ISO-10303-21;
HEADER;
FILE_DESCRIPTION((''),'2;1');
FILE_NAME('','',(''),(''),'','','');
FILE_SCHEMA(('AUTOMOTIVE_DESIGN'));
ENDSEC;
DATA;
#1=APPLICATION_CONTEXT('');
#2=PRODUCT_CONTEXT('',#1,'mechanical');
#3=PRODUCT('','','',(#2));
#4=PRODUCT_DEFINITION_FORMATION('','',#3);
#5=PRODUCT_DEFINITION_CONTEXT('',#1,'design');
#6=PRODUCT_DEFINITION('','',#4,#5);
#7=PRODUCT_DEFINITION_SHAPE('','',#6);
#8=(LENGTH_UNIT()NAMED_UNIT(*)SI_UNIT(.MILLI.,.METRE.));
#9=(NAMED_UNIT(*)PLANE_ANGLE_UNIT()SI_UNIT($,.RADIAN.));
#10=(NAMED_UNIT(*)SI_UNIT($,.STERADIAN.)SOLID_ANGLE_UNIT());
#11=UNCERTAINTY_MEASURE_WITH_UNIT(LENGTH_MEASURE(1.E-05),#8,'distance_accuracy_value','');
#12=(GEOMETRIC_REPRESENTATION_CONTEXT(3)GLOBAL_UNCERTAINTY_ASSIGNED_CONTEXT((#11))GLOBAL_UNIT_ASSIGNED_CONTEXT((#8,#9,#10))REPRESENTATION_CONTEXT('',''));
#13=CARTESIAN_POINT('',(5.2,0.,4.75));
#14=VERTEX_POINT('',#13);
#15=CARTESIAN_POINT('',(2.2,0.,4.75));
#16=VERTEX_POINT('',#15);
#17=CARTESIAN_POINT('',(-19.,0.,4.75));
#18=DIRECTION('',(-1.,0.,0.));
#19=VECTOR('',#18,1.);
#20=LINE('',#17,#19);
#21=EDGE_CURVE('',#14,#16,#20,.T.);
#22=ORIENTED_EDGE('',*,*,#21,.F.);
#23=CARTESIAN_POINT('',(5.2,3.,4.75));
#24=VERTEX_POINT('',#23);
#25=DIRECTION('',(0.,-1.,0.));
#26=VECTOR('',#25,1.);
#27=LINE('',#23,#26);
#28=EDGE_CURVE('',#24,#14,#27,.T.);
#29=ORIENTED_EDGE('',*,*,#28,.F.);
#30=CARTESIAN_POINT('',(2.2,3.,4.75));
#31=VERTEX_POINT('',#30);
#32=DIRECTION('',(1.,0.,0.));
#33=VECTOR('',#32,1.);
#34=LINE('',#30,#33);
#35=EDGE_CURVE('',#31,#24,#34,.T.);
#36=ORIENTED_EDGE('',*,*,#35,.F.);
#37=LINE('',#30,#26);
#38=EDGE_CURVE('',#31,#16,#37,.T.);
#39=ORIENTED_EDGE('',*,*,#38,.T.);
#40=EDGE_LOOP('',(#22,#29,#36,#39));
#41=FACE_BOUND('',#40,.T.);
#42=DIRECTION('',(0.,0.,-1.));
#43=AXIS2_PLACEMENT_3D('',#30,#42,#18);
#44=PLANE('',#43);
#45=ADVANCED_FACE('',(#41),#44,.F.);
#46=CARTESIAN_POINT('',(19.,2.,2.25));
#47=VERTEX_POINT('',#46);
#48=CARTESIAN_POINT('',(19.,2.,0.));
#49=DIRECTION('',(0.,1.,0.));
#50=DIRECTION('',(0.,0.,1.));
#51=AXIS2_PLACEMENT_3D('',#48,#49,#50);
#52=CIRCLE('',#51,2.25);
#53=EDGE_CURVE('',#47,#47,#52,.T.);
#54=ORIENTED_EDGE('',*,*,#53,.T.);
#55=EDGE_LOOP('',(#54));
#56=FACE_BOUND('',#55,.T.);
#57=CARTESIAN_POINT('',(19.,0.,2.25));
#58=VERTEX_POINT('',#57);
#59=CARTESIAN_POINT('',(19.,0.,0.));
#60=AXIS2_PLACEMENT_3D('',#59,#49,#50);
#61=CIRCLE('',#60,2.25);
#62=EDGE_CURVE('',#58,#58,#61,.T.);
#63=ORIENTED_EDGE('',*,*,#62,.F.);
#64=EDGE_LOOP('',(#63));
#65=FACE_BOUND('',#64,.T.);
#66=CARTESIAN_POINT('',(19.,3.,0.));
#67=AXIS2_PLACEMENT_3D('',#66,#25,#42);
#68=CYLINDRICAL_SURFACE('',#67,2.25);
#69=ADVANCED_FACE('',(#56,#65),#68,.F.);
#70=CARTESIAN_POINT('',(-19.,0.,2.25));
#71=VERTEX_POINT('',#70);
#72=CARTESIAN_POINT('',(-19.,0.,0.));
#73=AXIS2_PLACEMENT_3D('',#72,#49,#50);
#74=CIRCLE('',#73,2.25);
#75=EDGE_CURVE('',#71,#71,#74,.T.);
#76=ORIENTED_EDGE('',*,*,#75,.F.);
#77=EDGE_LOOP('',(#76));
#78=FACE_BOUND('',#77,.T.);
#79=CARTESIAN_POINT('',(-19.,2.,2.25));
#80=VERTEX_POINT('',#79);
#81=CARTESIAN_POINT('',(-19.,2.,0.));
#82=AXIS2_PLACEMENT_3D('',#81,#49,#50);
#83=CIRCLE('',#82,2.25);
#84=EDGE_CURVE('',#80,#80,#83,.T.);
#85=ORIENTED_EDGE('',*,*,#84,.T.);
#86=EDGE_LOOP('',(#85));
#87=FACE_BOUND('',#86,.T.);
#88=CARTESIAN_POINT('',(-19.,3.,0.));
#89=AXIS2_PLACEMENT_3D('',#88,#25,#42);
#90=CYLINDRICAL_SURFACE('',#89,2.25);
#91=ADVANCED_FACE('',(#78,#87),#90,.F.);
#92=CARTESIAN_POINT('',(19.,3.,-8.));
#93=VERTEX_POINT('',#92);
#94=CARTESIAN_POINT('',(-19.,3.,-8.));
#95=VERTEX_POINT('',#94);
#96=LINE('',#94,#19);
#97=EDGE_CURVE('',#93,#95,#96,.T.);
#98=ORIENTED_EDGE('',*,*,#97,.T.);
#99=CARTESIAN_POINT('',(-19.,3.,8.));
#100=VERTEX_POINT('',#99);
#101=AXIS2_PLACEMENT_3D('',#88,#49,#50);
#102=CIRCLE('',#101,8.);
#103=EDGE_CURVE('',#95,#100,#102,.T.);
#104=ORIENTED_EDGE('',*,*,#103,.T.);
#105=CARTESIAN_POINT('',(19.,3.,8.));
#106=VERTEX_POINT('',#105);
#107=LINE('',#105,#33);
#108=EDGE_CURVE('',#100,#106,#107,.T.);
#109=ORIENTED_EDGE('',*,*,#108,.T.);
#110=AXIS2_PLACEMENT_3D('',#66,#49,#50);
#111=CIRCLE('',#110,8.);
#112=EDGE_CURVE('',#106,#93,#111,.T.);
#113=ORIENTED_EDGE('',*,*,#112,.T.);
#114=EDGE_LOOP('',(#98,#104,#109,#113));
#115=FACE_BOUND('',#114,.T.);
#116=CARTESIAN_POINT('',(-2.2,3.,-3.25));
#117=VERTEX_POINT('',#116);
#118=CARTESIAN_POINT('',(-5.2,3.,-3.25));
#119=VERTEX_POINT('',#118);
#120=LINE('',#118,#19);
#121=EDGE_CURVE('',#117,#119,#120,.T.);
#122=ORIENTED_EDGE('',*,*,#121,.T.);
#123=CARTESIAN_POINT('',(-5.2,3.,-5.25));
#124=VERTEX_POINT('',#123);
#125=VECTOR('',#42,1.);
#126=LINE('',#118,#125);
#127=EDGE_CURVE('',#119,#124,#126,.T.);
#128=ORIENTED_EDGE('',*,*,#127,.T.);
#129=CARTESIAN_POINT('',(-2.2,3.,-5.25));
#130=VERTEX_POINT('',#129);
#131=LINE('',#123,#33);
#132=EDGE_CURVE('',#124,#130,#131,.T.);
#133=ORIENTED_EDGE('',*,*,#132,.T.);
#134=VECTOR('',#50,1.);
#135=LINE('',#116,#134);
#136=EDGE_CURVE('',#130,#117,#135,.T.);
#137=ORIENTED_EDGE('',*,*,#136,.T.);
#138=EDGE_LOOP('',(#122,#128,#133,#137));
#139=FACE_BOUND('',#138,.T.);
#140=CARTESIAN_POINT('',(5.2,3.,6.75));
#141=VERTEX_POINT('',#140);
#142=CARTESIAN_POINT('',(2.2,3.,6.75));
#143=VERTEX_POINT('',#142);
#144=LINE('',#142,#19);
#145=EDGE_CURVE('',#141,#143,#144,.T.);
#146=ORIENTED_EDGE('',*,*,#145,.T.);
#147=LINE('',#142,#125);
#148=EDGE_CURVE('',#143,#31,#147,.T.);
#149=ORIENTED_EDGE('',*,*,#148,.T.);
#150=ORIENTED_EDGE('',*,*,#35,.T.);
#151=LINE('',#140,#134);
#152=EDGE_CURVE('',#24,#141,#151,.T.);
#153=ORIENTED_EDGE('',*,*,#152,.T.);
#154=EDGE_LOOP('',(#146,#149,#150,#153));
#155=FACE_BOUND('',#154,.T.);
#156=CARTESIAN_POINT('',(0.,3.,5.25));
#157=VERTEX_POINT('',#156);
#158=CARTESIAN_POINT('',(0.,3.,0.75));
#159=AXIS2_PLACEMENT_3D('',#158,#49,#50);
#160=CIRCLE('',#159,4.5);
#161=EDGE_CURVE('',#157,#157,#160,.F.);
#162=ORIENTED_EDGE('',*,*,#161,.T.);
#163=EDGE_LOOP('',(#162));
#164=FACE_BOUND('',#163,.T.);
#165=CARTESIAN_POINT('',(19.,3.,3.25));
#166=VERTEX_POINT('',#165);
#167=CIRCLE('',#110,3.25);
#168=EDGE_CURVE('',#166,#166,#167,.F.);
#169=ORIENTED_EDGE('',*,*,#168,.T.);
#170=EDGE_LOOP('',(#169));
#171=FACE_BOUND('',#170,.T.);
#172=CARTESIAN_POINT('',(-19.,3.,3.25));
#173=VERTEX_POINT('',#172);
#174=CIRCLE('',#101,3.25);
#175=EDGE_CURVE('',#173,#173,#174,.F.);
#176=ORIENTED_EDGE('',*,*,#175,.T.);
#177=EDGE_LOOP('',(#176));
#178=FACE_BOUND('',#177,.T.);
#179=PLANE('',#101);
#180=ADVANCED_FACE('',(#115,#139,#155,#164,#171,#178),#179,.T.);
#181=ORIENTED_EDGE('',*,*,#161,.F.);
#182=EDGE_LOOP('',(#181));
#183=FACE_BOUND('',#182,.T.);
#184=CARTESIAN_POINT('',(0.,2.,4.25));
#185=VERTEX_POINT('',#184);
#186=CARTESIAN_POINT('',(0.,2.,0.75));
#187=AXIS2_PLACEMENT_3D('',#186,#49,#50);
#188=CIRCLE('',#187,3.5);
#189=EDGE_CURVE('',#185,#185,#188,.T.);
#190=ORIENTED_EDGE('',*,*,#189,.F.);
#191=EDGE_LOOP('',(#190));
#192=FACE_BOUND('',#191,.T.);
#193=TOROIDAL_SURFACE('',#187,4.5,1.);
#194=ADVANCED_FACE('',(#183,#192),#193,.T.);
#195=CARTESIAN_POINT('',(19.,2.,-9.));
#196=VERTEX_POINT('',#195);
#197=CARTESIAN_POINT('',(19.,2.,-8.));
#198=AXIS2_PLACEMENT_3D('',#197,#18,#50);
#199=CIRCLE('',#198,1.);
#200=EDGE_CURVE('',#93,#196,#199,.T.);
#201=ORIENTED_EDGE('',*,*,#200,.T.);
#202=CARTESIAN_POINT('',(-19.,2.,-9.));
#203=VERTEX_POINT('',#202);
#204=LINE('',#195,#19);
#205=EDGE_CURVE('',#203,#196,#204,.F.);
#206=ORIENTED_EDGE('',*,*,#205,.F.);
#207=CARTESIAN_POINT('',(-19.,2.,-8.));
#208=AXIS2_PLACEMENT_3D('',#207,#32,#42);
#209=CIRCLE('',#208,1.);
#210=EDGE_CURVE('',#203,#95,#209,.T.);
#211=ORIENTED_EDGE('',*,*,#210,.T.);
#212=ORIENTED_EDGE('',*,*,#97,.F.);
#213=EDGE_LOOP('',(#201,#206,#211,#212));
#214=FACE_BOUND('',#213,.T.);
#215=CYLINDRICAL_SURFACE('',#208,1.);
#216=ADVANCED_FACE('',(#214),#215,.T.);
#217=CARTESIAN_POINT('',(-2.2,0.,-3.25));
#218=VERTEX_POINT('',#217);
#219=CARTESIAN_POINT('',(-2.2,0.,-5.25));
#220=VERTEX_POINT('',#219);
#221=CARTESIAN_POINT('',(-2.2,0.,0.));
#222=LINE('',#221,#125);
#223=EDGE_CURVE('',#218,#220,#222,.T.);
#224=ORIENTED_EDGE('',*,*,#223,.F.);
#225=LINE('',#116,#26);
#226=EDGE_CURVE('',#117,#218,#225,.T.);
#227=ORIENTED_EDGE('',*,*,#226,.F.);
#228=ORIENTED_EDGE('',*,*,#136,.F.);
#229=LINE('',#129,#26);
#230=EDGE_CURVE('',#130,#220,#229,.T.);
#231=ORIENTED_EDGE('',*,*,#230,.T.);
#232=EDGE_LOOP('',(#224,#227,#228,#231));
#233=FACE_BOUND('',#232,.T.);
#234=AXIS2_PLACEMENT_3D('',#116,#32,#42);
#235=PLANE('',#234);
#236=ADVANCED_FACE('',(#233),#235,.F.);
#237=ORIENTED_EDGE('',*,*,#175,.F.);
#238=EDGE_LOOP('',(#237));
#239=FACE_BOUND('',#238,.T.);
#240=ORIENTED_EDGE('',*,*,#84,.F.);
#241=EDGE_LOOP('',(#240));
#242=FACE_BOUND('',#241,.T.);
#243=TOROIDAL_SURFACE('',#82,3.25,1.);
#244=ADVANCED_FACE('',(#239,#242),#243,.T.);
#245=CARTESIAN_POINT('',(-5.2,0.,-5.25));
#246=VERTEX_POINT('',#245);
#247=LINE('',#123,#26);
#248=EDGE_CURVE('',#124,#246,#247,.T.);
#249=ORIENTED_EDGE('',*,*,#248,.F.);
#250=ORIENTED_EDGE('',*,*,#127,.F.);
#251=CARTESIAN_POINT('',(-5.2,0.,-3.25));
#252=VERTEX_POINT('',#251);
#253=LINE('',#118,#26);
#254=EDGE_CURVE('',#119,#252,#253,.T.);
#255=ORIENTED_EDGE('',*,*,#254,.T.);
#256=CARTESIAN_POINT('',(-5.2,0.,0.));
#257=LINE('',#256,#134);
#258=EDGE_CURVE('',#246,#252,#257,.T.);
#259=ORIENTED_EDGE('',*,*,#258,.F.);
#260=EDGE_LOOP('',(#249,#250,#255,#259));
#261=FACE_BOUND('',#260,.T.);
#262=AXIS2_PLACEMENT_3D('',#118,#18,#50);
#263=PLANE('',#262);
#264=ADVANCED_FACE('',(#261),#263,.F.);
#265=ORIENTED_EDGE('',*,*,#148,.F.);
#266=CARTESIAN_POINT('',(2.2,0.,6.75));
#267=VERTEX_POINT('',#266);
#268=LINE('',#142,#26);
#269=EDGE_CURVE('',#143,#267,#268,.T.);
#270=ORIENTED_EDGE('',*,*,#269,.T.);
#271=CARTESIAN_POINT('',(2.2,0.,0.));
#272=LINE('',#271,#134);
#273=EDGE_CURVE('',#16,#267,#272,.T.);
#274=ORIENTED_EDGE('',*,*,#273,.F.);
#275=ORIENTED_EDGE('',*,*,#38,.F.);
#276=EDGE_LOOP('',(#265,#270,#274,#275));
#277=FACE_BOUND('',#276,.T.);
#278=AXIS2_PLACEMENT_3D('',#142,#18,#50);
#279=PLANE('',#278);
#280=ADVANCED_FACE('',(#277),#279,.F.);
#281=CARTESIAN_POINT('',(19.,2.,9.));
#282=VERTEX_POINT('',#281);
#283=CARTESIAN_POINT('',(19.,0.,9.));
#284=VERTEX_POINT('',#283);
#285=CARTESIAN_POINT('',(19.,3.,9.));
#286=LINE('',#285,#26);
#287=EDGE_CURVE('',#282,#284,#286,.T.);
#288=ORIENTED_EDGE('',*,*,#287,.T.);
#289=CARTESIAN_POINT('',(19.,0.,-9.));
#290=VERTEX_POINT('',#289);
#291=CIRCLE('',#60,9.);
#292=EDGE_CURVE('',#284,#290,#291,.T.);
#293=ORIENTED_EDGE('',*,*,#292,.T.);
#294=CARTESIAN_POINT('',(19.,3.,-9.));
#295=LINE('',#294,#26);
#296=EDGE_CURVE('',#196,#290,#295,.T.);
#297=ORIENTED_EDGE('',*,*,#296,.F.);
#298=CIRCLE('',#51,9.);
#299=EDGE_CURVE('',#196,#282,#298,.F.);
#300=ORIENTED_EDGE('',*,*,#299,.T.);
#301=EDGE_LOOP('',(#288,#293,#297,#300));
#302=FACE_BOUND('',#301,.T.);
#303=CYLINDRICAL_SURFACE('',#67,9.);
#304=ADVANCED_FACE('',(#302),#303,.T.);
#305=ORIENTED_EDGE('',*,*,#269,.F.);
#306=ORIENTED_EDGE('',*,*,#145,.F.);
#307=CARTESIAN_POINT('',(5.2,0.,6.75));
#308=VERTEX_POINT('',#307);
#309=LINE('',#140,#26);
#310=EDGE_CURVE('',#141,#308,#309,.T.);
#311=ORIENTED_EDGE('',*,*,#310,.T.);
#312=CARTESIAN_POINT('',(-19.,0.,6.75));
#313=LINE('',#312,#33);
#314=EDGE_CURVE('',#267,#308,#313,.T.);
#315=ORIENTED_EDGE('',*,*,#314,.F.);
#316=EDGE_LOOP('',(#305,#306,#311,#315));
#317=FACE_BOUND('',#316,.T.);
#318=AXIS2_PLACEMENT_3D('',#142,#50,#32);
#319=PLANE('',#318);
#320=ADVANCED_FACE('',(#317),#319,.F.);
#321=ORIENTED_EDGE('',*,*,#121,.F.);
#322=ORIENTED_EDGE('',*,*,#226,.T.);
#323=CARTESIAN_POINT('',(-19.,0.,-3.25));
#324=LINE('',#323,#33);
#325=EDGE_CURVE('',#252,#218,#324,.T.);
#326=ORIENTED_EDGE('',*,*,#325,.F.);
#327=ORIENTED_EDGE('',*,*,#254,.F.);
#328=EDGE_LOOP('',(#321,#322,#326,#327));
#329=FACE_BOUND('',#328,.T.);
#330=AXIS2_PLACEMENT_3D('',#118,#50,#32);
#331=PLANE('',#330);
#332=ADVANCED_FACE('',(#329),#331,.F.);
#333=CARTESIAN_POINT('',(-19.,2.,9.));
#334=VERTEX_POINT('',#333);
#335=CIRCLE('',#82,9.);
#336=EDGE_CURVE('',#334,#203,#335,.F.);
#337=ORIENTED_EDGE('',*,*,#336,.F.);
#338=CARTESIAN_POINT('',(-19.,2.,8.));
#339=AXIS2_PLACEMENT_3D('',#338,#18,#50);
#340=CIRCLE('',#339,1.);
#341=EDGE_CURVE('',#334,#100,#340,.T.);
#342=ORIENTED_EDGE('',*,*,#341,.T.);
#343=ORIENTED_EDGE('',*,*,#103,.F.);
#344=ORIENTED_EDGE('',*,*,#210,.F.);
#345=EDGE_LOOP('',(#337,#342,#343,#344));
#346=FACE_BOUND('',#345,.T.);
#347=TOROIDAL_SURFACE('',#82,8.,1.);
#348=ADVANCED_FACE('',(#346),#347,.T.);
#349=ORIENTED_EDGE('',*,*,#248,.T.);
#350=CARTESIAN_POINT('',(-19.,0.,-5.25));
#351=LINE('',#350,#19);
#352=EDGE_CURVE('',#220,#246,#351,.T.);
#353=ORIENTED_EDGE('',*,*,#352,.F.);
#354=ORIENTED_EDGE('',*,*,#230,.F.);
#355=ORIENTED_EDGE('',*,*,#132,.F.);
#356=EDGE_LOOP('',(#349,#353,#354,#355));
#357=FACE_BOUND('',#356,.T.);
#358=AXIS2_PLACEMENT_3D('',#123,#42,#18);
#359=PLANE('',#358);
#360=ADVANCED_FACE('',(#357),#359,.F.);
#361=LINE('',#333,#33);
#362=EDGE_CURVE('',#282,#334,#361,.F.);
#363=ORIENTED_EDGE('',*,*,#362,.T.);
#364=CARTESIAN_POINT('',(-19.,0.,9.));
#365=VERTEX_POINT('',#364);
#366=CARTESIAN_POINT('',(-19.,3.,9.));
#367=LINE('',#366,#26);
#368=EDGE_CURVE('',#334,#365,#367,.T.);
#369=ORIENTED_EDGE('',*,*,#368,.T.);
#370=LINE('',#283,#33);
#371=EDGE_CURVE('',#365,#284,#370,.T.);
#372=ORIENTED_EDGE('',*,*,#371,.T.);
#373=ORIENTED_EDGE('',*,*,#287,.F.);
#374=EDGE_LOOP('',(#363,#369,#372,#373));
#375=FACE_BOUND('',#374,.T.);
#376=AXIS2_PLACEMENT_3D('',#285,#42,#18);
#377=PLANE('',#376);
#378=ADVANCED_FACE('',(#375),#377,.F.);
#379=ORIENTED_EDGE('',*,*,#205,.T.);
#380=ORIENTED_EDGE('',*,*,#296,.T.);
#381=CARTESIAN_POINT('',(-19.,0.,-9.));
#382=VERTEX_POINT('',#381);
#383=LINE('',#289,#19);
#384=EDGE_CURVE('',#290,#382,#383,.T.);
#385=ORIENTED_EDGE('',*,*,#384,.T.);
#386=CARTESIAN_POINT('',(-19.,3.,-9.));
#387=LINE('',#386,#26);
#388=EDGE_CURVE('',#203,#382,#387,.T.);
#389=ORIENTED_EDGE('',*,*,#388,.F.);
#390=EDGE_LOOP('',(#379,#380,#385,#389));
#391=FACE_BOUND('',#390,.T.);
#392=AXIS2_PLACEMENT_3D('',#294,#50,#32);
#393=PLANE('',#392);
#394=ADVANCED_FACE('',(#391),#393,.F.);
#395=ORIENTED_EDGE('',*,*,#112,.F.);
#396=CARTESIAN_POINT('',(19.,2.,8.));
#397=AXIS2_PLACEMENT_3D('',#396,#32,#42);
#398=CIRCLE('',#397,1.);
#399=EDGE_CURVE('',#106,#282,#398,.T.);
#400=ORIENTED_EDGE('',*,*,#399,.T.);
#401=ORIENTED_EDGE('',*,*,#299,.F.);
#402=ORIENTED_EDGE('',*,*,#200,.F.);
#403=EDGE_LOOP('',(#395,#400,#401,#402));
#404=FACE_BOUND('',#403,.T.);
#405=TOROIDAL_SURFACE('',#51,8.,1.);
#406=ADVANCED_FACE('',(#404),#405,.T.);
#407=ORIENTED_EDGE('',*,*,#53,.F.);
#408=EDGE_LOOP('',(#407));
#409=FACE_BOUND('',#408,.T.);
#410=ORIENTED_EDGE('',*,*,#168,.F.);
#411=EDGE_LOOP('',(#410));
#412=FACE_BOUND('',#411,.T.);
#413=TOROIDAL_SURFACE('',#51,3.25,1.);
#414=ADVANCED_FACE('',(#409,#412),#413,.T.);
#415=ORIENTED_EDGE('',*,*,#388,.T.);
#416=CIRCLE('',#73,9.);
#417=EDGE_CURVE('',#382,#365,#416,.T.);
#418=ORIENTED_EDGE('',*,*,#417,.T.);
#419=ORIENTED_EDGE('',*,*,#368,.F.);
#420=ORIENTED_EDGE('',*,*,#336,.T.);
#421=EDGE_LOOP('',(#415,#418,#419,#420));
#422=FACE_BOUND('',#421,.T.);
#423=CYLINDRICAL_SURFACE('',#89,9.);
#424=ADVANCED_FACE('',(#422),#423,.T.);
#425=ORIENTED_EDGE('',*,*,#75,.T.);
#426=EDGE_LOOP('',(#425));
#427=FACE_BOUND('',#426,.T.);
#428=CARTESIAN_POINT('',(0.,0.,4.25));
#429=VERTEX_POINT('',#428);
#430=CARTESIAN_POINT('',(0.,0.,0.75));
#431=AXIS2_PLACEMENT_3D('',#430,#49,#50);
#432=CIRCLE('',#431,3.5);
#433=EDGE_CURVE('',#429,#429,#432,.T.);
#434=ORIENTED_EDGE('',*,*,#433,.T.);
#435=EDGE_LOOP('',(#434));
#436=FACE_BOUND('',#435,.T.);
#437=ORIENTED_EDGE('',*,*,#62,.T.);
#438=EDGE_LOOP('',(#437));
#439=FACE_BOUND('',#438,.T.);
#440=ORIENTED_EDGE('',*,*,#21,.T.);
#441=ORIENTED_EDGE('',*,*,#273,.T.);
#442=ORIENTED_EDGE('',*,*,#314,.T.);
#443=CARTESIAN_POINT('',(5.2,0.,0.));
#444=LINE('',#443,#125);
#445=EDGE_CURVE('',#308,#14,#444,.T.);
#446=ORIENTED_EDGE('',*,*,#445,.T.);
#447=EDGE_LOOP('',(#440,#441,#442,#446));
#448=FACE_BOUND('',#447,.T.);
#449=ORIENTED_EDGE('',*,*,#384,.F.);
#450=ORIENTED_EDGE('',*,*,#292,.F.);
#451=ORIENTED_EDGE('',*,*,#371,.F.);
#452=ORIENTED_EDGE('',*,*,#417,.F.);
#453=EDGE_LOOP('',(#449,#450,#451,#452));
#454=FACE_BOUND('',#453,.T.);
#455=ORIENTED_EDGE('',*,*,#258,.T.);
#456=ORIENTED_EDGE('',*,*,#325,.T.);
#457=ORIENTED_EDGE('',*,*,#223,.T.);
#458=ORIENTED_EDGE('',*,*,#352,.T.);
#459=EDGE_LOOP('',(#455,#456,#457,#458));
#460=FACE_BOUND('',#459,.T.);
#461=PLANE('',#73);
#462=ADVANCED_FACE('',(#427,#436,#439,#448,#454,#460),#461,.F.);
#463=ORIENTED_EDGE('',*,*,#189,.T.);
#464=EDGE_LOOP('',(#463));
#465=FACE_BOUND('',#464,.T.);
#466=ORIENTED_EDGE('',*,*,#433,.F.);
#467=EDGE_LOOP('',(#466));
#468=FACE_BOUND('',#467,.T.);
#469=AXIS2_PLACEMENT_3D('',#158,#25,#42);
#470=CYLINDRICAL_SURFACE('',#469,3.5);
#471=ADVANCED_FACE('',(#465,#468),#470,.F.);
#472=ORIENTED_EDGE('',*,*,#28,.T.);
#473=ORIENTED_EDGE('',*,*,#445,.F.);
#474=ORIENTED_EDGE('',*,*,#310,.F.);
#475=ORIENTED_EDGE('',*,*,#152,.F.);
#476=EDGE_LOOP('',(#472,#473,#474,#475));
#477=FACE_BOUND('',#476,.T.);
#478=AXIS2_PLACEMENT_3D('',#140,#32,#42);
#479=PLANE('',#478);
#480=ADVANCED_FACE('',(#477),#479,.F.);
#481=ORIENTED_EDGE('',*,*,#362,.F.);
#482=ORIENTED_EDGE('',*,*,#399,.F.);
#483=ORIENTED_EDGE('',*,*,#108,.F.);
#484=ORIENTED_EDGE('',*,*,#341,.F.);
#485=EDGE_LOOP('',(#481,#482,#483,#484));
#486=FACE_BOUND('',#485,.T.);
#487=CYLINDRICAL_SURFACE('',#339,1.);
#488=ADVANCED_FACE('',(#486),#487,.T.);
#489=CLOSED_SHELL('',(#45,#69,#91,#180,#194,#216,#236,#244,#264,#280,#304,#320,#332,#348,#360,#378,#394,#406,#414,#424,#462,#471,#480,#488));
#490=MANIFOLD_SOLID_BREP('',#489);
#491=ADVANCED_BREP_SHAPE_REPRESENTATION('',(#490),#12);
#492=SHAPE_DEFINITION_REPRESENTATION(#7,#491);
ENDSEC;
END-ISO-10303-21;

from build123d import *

# Parameters (mm, degrees)
SKETCH1_R               = 2.25
SKETCH1_R_2             = 3.5
BOSS_EXTRUDE1_DEPTH     = 3
CUT_EXTRUDE1_DEPTH      = 30.563490998
CUT_EXTRUDE1_DEPTH_BACK = 30.563490998
SKETCH2_W               = 3
SKETCH2_H               = 2
FILLET1_R               = 1


with BuildPart() as part:
    # Sketch1 → Boss-Extrude1 (new body)
    with BuildSketch(Plane(origin=(0, 0, 0), x_dir=(1, 0, 0), z_dir=(0, 1, 0))):
        with BuildLine():
            Line((19, 9), (-19, 9))
            ThreePointArc((-19, 9), (-28, 0), (-19, -9))
            Line((-19, -9), (19, -9))
            ThreePointArc((19, -9), (28, 0), (19, 9))
        make_face()
        with Locations(Location((-19, 0, 0), (0, 0, 270))):
            Circle(SKETCH1_R, mode=Mode.SUBTRACT)
        with Locations(Location((19, 0, 0), (0, 0, 270))):
            Circle(SKETCH1_R, mode=Mode.SUBTRACT)
        with Locations(Location((0, -0.75, 0), (0, 0, 270))):
            Circle(SKETCH1_R_2, mode=Mode.SUBTRACT)
    extrude(amount=BOSS_EXTRUDE1_DEPTH)

    # Sketch2 → Cut-Extrude1 (cut, two sides: drawn at the far end of the back side and taken through both)
    with BuildSketch(Plane.XZ.offset(-CUT_EXTRUDE1_DEPTH_BACK)):
        with Locations((3.7, 5.75)):
            Rectangle(SKETCH2_W, SKETCH2_H)
        with Locations((-3.7, -4.25)):
            Rectangle(SKETCH2_W, SKETCH2_H)
    extrude(amount=CUT_EXTRUDE1_DEPTH + CUT_EXTRUDE1_DEPTH_BACK, mode=Mode.SUBTRACT)

    # Fillet1
    fillet1_edges = [part.edges().sort_by_distance(p)[0] for p in [
        (-19, 3, -2.25),
        (28, 3, 0),
        (19, 3, -2.25),
        (0, 3, -9),
        (0, 3, -2.75),
        (-28, 3, 0),
        (0, 3, 9),
    ]]
    fillet(fillet1_edges, radius=FILLET1_R)


solid = part.part
